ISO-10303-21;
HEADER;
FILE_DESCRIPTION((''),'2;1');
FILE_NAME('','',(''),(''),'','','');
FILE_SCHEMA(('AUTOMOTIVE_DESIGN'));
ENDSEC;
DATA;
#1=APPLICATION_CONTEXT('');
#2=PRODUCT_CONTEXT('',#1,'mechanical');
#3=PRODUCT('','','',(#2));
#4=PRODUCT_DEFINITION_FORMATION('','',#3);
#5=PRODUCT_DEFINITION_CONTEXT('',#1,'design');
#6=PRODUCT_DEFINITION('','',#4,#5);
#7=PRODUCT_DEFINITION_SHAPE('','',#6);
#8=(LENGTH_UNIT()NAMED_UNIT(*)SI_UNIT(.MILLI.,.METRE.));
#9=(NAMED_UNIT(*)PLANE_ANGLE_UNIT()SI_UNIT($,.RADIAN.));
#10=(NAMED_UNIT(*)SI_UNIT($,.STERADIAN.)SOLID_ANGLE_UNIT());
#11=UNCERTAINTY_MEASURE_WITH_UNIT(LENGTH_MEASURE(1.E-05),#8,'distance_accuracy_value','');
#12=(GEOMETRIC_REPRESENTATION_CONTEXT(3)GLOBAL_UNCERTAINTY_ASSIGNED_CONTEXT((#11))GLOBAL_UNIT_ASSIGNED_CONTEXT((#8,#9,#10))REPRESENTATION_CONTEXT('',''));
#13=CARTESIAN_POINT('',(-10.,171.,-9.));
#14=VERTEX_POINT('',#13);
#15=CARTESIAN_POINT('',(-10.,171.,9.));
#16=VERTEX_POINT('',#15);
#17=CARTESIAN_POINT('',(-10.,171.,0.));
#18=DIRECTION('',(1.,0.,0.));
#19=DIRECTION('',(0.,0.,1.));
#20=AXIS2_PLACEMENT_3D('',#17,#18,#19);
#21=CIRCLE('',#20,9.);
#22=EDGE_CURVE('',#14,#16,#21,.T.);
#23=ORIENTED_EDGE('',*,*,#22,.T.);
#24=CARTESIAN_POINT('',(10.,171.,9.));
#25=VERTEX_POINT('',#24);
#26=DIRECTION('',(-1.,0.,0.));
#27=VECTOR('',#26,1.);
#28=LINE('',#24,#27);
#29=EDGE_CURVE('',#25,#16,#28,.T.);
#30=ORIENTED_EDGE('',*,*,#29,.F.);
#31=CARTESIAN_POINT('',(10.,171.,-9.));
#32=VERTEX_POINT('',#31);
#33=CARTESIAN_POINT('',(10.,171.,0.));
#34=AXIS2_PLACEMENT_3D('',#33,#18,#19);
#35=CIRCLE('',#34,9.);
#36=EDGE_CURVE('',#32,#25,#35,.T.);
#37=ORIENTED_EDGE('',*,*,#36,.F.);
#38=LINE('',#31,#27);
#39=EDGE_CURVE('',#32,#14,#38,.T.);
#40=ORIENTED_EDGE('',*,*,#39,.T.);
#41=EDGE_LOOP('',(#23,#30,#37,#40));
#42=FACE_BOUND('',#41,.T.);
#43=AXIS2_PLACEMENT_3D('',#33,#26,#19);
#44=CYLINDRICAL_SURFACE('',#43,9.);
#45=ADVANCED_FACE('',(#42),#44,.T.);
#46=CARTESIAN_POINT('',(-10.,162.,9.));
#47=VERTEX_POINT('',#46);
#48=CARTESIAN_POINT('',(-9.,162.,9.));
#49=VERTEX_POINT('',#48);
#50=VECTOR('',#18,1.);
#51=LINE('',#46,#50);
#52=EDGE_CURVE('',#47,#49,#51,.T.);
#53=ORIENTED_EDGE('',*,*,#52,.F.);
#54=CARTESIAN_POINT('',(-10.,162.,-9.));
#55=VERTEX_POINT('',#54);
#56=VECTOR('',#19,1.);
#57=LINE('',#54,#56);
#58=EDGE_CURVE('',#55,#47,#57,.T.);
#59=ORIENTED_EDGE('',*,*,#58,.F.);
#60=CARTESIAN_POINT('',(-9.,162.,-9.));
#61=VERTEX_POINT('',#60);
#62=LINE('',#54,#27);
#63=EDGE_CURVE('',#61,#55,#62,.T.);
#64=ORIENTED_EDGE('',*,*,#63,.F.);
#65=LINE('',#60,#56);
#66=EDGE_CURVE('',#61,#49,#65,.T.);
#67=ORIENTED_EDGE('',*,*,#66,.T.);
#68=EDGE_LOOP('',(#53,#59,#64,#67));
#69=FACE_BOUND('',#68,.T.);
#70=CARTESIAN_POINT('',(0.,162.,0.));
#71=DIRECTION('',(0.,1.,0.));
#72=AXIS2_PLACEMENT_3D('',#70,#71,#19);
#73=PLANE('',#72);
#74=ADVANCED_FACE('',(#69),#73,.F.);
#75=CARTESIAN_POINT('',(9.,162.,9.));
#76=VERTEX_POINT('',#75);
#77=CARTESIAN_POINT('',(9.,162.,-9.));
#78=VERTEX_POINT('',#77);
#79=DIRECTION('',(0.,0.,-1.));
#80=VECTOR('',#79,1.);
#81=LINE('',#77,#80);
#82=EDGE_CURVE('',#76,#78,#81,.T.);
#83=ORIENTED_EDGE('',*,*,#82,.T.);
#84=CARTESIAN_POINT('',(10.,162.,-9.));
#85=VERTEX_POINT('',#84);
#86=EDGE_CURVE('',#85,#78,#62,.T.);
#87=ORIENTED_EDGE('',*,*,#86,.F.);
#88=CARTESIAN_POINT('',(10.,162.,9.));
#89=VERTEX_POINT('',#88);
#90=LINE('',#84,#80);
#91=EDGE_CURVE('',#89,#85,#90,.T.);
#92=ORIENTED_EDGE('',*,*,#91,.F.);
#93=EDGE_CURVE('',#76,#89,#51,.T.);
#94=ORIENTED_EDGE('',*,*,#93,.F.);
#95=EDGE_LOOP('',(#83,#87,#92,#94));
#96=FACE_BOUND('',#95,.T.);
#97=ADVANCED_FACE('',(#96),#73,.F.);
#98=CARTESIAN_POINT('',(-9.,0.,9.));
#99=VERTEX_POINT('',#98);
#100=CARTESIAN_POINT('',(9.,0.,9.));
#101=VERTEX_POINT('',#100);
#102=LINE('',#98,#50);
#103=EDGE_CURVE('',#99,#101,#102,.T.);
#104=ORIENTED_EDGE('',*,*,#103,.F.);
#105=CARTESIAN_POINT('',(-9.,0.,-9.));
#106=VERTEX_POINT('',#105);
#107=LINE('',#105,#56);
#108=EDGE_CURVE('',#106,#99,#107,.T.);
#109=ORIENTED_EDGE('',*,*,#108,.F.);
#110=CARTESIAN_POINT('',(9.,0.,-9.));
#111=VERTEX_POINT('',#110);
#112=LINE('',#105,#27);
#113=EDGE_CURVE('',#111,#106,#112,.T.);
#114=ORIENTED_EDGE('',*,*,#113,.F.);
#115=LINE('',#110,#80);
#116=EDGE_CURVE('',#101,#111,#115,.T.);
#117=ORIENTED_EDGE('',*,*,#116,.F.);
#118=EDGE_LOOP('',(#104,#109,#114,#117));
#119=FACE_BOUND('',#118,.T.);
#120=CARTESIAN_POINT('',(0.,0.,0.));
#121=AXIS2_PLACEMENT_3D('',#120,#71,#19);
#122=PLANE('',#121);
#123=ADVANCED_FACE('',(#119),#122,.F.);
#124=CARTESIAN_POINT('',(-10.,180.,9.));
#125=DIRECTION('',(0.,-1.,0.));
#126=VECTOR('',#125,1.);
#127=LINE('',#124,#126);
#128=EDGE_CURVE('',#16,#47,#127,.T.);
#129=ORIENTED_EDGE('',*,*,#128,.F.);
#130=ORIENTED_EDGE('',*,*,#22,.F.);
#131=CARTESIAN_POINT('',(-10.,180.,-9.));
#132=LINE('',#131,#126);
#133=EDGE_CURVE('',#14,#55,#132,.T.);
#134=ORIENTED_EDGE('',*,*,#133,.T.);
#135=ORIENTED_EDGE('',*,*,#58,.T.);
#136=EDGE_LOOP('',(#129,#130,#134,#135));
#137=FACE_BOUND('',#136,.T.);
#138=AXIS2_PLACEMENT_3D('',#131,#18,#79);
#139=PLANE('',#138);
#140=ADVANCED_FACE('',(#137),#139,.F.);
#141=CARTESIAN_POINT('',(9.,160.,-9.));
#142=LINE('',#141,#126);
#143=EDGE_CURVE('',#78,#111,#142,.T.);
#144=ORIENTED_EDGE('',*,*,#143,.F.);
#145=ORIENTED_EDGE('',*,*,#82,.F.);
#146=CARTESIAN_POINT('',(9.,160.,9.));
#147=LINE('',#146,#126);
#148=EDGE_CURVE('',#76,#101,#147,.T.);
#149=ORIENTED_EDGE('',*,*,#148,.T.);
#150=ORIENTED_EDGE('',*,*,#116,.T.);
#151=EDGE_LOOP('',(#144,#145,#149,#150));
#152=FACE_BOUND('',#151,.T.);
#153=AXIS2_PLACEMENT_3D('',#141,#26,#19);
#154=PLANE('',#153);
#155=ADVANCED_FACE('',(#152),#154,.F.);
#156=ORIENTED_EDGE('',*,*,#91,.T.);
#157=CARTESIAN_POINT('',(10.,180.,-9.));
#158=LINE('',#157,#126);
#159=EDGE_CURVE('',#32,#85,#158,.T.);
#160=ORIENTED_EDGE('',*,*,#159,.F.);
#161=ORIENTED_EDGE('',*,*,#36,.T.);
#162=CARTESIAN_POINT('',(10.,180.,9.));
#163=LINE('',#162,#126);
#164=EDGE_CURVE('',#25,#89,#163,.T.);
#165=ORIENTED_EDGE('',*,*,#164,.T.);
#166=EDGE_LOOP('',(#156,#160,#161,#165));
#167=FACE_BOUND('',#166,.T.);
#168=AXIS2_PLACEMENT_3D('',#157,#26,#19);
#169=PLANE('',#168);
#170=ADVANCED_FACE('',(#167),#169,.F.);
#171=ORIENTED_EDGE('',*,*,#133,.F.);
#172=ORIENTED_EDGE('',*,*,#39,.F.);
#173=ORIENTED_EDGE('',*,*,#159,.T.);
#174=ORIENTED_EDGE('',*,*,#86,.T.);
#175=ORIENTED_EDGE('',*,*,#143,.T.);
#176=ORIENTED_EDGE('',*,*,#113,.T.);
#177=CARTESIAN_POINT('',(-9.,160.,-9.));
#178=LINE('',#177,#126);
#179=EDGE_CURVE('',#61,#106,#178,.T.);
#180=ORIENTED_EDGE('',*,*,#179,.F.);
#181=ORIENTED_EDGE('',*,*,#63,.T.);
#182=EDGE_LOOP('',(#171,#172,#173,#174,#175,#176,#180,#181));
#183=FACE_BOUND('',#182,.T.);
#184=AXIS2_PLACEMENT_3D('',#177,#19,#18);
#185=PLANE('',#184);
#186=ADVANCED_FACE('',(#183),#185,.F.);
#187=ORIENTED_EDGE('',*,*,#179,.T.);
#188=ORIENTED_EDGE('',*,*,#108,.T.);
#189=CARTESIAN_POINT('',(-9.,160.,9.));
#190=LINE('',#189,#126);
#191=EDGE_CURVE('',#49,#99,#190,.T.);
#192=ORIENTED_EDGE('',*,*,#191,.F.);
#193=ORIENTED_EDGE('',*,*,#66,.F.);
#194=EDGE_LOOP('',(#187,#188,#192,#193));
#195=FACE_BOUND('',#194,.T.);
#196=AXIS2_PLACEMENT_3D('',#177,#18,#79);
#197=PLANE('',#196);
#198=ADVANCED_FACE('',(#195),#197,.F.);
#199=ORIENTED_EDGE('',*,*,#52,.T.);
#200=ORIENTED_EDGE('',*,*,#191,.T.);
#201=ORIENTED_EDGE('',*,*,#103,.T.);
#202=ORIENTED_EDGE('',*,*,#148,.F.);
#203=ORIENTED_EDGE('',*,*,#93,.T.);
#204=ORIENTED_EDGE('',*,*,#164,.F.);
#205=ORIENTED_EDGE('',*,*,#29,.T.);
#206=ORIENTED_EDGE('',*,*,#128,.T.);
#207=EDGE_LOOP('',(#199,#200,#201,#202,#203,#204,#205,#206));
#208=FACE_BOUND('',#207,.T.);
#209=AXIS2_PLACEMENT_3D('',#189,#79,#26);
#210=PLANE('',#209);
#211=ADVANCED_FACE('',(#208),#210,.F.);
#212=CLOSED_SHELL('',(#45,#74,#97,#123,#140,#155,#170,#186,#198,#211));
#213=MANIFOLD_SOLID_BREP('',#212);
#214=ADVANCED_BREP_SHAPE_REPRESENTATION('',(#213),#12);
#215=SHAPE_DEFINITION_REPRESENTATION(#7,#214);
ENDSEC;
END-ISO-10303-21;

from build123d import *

# Parameters (mm, degrees)
SKETCH_1_W          = 18
SKETCH_1_H          = 18
EXTRUDE_1_DEPTH     = 160
SKETCH_2_W          = 18
SKETCH_2_H          = 18
EXTRUDE_2_DEPTH     = 2
SKETCH_3_W          = 20
SKETCH_3_H          = 18
EXTRUDE_4_DEPTH     = 18
CUT_EXTRUDE_1_DEPTH = 21


with BuildPart() as part:
    # 草图1 → 凸台-拉伸1 (new body)
    with BuildSketch(Plane(origin=(0, 0, 0), x_dir=(1, 0, 0), z_dir=(0, 1, 0))):
        Rectangle(SKETCH_1_W, SKETCH_1_H)
    extrude(amount=EXTRUDE_1_DEPTH)

    # 草图2 → 凸台-拉伸2 (add)
    with BuildSketch(Plane(origin=(0, 160, 0), x_dir=(1, 0, 0), z_dir=(0, 1, 0))):
        Rectangle(SKETCH_2_W, SKETCH_2_H)
    extrude(amount=EXTRUDE_2_DEPTH)

    # 草图3 → 凸台-拉伸4 (add)
    with BuildSketch(Plane(origin=(0, 162, 0), x_dir=(1, 0, 0), z_dir=(0, 1, 0))):
        Rectangle(SKETCH_3_W, SKETCH_3_H)
    extrude(amount=EXTRUDE_4_DEPTH)

    # 草图4 → 切除-拉伸1 (cut, through all)
    with BuildSketch(Plane.ZY.offset(10)):
        with BuildLine():
            Line((-9, 171), (-9, 185))
            Line((-9, 185), (9, 185))
            Line((9, 185), (9, 171))
            ThreePointArc((9, 171), (0, 180), (-9, 171))
        make_face()
    extrude(amount=-CUT_EXTRUDE_1_DEPTH, mode=Mode.SUBTRACT)


solid = part.part
